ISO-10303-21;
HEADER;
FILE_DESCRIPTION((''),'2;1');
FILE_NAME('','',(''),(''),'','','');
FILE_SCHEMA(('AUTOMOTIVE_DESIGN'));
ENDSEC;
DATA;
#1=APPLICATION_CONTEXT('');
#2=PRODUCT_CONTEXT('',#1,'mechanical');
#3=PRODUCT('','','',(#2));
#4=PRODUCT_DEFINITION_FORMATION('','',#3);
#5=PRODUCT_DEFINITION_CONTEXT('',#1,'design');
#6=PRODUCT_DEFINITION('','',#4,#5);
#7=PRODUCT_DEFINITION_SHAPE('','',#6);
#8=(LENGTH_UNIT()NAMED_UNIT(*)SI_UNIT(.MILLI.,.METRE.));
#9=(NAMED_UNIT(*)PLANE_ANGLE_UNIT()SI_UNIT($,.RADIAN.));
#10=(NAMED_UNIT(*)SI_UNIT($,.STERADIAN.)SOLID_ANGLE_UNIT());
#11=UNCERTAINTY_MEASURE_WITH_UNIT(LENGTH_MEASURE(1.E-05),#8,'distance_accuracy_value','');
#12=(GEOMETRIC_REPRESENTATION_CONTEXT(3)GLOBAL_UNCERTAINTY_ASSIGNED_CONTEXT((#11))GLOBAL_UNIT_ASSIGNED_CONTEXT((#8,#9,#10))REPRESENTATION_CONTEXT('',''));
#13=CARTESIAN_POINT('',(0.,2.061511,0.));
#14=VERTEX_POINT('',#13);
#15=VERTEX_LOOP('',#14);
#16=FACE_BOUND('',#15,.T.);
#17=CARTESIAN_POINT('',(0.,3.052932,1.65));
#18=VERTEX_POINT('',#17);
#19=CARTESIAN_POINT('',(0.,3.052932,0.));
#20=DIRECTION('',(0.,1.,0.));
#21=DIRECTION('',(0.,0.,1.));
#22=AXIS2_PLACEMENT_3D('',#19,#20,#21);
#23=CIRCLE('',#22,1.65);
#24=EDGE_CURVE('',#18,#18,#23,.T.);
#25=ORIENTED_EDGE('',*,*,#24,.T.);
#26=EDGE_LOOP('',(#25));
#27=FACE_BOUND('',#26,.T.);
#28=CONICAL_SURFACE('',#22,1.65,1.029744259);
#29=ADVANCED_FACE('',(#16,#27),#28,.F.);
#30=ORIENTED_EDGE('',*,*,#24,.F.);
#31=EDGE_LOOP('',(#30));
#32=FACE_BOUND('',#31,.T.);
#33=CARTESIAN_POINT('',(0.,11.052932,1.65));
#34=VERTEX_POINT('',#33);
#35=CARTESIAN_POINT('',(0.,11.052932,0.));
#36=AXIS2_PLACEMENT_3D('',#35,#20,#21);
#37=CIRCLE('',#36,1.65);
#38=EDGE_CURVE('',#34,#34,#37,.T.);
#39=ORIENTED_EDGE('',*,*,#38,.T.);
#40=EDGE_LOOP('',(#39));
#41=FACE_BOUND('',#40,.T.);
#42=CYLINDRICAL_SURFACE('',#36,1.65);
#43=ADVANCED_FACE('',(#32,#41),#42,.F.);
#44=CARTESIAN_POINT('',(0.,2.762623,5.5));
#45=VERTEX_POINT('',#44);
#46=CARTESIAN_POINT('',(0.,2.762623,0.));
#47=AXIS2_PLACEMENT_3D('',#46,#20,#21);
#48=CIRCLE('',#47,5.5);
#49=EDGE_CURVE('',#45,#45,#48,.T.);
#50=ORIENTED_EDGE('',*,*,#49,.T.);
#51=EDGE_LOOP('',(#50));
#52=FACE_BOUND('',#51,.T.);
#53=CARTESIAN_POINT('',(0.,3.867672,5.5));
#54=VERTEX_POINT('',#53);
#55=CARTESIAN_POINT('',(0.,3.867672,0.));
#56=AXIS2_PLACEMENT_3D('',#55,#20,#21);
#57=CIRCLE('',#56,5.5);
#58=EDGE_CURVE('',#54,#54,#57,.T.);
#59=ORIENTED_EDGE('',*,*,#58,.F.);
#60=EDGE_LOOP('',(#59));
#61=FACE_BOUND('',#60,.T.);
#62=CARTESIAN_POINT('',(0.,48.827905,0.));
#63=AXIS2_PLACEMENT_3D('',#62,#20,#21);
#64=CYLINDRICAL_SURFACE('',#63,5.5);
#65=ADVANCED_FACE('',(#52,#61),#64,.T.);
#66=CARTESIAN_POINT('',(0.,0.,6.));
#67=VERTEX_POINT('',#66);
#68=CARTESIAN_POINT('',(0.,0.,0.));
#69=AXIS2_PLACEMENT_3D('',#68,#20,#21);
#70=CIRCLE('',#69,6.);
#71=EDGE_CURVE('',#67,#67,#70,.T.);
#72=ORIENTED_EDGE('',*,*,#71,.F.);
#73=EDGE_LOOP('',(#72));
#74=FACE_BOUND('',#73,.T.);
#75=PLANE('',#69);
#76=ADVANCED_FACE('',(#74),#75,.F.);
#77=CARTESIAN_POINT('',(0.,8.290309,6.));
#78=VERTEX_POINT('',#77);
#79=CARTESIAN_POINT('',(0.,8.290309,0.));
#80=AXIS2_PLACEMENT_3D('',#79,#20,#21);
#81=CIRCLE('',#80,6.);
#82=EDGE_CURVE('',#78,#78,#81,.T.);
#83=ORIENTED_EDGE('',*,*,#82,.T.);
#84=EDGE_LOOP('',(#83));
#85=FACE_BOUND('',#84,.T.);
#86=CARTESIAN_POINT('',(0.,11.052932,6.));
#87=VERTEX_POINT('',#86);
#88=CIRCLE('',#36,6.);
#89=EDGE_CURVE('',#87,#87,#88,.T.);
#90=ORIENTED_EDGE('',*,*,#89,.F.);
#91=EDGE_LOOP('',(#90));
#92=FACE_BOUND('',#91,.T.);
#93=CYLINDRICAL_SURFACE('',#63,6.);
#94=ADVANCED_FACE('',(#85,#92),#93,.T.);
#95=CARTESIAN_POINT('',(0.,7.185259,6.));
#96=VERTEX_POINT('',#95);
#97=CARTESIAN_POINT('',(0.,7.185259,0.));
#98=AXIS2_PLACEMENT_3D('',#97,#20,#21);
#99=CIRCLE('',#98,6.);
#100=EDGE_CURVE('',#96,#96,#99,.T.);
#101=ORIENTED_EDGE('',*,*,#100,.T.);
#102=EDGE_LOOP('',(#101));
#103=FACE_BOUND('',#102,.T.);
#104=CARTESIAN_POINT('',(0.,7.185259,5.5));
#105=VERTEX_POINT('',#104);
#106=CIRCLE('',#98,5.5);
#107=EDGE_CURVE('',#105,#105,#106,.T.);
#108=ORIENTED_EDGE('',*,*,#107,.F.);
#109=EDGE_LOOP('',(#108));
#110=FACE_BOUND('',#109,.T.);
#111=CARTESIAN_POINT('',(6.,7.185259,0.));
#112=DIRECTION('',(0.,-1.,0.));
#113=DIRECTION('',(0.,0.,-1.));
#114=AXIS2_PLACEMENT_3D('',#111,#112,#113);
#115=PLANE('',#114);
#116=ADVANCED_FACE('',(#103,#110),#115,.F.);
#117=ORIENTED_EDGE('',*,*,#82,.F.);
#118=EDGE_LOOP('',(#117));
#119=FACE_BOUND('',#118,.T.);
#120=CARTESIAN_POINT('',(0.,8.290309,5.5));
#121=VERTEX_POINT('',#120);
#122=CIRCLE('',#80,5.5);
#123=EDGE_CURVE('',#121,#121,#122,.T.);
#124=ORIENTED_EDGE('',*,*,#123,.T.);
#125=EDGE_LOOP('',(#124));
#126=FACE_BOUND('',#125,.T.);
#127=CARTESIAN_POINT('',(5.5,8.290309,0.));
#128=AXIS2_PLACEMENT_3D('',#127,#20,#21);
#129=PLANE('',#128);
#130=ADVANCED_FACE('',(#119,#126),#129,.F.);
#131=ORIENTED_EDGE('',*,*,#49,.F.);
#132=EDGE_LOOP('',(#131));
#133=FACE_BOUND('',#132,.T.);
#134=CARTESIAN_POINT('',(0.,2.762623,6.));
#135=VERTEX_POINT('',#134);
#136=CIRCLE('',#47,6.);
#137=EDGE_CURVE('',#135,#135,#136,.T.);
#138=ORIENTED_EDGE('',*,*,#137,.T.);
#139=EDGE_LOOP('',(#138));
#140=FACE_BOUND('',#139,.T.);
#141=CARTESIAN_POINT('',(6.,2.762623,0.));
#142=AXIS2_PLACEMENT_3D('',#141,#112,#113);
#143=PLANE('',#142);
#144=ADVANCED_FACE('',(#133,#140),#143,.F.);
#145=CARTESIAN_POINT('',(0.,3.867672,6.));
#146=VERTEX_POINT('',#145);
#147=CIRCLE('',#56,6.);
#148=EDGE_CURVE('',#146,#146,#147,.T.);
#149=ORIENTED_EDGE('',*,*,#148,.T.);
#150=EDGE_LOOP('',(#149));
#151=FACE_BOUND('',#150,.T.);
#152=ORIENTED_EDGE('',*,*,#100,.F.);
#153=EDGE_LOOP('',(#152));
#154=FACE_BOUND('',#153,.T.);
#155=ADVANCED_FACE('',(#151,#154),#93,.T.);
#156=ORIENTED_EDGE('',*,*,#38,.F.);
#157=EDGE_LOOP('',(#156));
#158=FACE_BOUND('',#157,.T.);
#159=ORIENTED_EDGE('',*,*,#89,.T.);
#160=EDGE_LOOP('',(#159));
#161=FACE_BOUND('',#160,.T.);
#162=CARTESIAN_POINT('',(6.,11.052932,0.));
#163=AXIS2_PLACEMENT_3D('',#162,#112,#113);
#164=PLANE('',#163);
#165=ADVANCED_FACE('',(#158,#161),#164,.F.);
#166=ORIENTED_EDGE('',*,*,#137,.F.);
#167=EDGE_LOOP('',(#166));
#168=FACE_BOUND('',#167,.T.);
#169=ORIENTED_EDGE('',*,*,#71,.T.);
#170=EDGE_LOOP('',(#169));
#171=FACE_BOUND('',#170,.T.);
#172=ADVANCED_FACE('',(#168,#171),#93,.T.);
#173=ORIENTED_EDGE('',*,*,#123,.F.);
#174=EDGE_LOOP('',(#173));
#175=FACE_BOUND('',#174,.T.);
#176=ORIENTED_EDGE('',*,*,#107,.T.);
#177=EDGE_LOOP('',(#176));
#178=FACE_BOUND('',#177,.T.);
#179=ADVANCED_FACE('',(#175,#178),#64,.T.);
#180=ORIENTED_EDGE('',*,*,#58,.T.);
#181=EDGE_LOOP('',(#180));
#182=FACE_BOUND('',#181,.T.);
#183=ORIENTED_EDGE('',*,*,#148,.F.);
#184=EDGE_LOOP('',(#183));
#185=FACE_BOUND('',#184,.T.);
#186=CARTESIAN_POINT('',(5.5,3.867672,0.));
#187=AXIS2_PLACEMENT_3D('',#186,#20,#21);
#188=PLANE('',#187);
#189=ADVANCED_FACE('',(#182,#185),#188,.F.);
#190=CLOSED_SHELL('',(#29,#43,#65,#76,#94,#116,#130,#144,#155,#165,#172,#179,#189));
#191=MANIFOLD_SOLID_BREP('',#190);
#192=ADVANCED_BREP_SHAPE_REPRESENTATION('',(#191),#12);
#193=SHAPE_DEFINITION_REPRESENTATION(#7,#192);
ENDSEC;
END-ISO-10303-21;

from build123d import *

# Parameters (mm, degrees)
M4X0_7_TAPPED_HOLE1_D     = 3.3
M4X0_7_TAPPED_HOLE1_DEPTH = 8
M4X0_7_TAPPED_HOLE1_TIP   = 0.991420021


with BuildPart() as part:
    # Sketch2 → Revolve1 (revolve)
    with BuildSketch(Plane.XY):
        Polygon((0, 0), (6, 0), (6, 2.762622939), (5.5, 2.762622939), (5.5, 3.867672115), (6, 3.867672115), (6, 7.185259401), (5.5, 7.185259401), (5.5, 8.290308577), (6, 8.290308577), (6, 11.052931516), (0, 11.052931516), align=None)
    revolve(axis=Axis((0, 48.827905014, 0), (0, -1, 0)))

    # M4x0.7 Tapped Hole1
    with Locations(Plane.ZX.offset(11.052931516)):
        with Locations((0, 0)):
            Hole(M4X0_7_TAPPED_HOLE1_D / 2, depth=M4X0_7_TAPPED_HOLE1_DEPTH)
            with Locations((0, 0, -(M4X0_7_TAPPED_HOLE1_DEPTH + M4X0_7_TAPPED_HOLE1_TIP / 2))):  # 118° drill point
                Cone(0, M4X0_7_TAPPED_HOLE1_D / 2, M4X0_7_TAPPED_HOLE1_TIP, mode=Mode.SUBTRACT)


solid = part.part
